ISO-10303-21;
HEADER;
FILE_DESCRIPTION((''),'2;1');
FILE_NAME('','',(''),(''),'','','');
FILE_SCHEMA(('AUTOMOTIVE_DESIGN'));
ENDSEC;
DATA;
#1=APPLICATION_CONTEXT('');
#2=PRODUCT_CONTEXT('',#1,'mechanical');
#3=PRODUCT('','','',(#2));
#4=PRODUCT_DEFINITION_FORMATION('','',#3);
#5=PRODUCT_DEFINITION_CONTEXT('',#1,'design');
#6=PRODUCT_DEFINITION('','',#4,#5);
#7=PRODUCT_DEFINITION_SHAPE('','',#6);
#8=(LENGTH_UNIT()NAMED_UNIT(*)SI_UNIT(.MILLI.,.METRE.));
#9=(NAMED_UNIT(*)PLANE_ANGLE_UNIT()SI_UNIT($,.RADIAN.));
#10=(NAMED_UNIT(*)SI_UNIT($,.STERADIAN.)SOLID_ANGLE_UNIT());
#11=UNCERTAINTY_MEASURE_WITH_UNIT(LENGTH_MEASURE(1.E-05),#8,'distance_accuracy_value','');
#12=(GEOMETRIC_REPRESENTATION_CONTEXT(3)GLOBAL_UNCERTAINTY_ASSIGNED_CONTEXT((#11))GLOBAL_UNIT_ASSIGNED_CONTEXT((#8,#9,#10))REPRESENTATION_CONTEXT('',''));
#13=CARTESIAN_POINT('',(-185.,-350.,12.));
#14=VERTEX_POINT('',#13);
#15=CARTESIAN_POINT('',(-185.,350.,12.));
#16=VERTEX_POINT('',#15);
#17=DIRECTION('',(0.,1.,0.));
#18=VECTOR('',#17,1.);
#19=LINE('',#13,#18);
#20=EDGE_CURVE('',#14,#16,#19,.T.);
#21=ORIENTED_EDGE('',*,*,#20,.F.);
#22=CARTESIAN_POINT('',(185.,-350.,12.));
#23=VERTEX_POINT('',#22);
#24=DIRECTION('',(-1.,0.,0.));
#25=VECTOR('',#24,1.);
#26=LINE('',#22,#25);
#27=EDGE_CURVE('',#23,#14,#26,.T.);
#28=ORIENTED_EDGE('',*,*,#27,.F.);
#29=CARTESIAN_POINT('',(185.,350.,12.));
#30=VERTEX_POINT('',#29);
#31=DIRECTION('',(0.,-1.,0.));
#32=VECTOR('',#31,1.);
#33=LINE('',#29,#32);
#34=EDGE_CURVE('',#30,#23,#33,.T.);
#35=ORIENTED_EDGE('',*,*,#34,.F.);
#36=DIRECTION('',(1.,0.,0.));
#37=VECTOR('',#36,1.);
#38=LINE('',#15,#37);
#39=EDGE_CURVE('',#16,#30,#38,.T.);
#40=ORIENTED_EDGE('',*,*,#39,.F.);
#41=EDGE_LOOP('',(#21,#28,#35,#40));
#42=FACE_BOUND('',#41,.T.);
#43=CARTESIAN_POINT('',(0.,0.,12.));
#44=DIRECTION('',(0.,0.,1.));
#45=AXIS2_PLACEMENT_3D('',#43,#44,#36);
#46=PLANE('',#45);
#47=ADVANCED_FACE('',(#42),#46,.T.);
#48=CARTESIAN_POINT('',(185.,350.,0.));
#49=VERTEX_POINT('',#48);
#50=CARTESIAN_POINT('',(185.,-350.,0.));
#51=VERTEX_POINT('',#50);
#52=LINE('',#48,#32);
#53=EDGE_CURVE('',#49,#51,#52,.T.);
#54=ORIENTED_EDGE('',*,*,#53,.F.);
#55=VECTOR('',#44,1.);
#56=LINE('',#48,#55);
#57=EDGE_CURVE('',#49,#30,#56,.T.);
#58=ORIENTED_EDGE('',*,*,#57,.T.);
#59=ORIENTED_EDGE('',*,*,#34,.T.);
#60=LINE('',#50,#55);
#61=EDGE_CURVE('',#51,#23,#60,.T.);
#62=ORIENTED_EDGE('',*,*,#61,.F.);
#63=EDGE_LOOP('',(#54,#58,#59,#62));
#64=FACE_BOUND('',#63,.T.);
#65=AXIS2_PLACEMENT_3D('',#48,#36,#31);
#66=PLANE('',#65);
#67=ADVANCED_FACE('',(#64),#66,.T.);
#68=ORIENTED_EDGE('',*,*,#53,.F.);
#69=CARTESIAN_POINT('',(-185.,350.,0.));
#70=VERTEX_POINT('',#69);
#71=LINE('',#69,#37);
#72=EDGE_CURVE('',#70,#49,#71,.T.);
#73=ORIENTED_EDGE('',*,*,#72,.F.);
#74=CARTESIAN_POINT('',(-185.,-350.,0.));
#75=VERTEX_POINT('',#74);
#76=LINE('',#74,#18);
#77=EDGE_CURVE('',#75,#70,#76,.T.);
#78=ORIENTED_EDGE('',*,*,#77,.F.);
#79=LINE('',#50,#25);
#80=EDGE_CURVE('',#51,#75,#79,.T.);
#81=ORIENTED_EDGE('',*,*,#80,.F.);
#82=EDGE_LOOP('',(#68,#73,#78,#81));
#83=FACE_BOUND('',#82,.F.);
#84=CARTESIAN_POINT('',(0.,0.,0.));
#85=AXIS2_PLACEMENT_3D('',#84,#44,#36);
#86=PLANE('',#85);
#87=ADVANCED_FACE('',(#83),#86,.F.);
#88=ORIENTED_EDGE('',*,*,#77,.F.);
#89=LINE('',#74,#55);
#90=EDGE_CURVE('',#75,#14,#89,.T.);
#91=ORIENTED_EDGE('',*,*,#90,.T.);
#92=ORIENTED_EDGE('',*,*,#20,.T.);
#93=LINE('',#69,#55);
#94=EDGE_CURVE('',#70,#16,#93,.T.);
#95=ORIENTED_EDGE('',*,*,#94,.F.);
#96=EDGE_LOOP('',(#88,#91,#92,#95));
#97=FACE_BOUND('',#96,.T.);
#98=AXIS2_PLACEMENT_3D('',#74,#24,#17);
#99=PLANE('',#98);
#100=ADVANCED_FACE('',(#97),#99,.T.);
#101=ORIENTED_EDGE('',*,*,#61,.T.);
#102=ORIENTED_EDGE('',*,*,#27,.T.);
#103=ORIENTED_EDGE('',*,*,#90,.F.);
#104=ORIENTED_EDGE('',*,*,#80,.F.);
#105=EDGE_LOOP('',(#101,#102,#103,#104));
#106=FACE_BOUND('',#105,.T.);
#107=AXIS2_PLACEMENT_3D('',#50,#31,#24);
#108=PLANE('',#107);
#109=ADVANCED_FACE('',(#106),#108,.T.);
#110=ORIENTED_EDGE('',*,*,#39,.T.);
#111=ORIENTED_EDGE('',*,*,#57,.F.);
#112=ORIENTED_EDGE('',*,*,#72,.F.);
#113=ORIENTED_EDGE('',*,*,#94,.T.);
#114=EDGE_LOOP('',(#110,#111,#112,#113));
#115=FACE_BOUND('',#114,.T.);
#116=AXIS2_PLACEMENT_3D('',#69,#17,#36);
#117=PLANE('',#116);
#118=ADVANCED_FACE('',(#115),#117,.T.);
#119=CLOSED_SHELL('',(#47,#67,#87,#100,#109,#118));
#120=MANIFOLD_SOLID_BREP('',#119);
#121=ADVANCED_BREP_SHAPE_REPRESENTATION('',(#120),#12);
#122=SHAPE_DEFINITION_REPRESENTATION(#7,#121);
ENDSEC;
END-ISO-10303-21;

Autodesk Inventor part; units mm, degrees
ref_plane "YZ Plane" through (0, 0, 0) normal (1, 0, 0) x (0, 1, 0)
ref_plane "XZ Plane" through (0, 0, 0) normal (0, 1, 0) x (-1, 0, 0)
ref_plane "XY Plane" through (0, 0, 0) normal (0, 0, 1) x (1, 0, 0)
sketch "Sketch1" plane through (0, 0, 0) normal (0, 0, 1) x (1, 0, 0)
  line L0 (185, -350) -> (-185, -350)
  line L1 (-185, -350) -> (-185, 350)
  line L2 (-185, 350) -> (185, 350)
  line L3 (185, 350) -> (185, -350)
  line L4 (185, -350) -> (-185, 350) construction
  line L5 (-185, -350) -> (185, 350) construction
  point P0 (0, 0)
  dimension "d0" = 700
  dimension "d1" = 370
extrude "Extrusion1" add sketch "Sketch1" along normal blind 12
properties part number "GBX_002.1-bottom-plate"
